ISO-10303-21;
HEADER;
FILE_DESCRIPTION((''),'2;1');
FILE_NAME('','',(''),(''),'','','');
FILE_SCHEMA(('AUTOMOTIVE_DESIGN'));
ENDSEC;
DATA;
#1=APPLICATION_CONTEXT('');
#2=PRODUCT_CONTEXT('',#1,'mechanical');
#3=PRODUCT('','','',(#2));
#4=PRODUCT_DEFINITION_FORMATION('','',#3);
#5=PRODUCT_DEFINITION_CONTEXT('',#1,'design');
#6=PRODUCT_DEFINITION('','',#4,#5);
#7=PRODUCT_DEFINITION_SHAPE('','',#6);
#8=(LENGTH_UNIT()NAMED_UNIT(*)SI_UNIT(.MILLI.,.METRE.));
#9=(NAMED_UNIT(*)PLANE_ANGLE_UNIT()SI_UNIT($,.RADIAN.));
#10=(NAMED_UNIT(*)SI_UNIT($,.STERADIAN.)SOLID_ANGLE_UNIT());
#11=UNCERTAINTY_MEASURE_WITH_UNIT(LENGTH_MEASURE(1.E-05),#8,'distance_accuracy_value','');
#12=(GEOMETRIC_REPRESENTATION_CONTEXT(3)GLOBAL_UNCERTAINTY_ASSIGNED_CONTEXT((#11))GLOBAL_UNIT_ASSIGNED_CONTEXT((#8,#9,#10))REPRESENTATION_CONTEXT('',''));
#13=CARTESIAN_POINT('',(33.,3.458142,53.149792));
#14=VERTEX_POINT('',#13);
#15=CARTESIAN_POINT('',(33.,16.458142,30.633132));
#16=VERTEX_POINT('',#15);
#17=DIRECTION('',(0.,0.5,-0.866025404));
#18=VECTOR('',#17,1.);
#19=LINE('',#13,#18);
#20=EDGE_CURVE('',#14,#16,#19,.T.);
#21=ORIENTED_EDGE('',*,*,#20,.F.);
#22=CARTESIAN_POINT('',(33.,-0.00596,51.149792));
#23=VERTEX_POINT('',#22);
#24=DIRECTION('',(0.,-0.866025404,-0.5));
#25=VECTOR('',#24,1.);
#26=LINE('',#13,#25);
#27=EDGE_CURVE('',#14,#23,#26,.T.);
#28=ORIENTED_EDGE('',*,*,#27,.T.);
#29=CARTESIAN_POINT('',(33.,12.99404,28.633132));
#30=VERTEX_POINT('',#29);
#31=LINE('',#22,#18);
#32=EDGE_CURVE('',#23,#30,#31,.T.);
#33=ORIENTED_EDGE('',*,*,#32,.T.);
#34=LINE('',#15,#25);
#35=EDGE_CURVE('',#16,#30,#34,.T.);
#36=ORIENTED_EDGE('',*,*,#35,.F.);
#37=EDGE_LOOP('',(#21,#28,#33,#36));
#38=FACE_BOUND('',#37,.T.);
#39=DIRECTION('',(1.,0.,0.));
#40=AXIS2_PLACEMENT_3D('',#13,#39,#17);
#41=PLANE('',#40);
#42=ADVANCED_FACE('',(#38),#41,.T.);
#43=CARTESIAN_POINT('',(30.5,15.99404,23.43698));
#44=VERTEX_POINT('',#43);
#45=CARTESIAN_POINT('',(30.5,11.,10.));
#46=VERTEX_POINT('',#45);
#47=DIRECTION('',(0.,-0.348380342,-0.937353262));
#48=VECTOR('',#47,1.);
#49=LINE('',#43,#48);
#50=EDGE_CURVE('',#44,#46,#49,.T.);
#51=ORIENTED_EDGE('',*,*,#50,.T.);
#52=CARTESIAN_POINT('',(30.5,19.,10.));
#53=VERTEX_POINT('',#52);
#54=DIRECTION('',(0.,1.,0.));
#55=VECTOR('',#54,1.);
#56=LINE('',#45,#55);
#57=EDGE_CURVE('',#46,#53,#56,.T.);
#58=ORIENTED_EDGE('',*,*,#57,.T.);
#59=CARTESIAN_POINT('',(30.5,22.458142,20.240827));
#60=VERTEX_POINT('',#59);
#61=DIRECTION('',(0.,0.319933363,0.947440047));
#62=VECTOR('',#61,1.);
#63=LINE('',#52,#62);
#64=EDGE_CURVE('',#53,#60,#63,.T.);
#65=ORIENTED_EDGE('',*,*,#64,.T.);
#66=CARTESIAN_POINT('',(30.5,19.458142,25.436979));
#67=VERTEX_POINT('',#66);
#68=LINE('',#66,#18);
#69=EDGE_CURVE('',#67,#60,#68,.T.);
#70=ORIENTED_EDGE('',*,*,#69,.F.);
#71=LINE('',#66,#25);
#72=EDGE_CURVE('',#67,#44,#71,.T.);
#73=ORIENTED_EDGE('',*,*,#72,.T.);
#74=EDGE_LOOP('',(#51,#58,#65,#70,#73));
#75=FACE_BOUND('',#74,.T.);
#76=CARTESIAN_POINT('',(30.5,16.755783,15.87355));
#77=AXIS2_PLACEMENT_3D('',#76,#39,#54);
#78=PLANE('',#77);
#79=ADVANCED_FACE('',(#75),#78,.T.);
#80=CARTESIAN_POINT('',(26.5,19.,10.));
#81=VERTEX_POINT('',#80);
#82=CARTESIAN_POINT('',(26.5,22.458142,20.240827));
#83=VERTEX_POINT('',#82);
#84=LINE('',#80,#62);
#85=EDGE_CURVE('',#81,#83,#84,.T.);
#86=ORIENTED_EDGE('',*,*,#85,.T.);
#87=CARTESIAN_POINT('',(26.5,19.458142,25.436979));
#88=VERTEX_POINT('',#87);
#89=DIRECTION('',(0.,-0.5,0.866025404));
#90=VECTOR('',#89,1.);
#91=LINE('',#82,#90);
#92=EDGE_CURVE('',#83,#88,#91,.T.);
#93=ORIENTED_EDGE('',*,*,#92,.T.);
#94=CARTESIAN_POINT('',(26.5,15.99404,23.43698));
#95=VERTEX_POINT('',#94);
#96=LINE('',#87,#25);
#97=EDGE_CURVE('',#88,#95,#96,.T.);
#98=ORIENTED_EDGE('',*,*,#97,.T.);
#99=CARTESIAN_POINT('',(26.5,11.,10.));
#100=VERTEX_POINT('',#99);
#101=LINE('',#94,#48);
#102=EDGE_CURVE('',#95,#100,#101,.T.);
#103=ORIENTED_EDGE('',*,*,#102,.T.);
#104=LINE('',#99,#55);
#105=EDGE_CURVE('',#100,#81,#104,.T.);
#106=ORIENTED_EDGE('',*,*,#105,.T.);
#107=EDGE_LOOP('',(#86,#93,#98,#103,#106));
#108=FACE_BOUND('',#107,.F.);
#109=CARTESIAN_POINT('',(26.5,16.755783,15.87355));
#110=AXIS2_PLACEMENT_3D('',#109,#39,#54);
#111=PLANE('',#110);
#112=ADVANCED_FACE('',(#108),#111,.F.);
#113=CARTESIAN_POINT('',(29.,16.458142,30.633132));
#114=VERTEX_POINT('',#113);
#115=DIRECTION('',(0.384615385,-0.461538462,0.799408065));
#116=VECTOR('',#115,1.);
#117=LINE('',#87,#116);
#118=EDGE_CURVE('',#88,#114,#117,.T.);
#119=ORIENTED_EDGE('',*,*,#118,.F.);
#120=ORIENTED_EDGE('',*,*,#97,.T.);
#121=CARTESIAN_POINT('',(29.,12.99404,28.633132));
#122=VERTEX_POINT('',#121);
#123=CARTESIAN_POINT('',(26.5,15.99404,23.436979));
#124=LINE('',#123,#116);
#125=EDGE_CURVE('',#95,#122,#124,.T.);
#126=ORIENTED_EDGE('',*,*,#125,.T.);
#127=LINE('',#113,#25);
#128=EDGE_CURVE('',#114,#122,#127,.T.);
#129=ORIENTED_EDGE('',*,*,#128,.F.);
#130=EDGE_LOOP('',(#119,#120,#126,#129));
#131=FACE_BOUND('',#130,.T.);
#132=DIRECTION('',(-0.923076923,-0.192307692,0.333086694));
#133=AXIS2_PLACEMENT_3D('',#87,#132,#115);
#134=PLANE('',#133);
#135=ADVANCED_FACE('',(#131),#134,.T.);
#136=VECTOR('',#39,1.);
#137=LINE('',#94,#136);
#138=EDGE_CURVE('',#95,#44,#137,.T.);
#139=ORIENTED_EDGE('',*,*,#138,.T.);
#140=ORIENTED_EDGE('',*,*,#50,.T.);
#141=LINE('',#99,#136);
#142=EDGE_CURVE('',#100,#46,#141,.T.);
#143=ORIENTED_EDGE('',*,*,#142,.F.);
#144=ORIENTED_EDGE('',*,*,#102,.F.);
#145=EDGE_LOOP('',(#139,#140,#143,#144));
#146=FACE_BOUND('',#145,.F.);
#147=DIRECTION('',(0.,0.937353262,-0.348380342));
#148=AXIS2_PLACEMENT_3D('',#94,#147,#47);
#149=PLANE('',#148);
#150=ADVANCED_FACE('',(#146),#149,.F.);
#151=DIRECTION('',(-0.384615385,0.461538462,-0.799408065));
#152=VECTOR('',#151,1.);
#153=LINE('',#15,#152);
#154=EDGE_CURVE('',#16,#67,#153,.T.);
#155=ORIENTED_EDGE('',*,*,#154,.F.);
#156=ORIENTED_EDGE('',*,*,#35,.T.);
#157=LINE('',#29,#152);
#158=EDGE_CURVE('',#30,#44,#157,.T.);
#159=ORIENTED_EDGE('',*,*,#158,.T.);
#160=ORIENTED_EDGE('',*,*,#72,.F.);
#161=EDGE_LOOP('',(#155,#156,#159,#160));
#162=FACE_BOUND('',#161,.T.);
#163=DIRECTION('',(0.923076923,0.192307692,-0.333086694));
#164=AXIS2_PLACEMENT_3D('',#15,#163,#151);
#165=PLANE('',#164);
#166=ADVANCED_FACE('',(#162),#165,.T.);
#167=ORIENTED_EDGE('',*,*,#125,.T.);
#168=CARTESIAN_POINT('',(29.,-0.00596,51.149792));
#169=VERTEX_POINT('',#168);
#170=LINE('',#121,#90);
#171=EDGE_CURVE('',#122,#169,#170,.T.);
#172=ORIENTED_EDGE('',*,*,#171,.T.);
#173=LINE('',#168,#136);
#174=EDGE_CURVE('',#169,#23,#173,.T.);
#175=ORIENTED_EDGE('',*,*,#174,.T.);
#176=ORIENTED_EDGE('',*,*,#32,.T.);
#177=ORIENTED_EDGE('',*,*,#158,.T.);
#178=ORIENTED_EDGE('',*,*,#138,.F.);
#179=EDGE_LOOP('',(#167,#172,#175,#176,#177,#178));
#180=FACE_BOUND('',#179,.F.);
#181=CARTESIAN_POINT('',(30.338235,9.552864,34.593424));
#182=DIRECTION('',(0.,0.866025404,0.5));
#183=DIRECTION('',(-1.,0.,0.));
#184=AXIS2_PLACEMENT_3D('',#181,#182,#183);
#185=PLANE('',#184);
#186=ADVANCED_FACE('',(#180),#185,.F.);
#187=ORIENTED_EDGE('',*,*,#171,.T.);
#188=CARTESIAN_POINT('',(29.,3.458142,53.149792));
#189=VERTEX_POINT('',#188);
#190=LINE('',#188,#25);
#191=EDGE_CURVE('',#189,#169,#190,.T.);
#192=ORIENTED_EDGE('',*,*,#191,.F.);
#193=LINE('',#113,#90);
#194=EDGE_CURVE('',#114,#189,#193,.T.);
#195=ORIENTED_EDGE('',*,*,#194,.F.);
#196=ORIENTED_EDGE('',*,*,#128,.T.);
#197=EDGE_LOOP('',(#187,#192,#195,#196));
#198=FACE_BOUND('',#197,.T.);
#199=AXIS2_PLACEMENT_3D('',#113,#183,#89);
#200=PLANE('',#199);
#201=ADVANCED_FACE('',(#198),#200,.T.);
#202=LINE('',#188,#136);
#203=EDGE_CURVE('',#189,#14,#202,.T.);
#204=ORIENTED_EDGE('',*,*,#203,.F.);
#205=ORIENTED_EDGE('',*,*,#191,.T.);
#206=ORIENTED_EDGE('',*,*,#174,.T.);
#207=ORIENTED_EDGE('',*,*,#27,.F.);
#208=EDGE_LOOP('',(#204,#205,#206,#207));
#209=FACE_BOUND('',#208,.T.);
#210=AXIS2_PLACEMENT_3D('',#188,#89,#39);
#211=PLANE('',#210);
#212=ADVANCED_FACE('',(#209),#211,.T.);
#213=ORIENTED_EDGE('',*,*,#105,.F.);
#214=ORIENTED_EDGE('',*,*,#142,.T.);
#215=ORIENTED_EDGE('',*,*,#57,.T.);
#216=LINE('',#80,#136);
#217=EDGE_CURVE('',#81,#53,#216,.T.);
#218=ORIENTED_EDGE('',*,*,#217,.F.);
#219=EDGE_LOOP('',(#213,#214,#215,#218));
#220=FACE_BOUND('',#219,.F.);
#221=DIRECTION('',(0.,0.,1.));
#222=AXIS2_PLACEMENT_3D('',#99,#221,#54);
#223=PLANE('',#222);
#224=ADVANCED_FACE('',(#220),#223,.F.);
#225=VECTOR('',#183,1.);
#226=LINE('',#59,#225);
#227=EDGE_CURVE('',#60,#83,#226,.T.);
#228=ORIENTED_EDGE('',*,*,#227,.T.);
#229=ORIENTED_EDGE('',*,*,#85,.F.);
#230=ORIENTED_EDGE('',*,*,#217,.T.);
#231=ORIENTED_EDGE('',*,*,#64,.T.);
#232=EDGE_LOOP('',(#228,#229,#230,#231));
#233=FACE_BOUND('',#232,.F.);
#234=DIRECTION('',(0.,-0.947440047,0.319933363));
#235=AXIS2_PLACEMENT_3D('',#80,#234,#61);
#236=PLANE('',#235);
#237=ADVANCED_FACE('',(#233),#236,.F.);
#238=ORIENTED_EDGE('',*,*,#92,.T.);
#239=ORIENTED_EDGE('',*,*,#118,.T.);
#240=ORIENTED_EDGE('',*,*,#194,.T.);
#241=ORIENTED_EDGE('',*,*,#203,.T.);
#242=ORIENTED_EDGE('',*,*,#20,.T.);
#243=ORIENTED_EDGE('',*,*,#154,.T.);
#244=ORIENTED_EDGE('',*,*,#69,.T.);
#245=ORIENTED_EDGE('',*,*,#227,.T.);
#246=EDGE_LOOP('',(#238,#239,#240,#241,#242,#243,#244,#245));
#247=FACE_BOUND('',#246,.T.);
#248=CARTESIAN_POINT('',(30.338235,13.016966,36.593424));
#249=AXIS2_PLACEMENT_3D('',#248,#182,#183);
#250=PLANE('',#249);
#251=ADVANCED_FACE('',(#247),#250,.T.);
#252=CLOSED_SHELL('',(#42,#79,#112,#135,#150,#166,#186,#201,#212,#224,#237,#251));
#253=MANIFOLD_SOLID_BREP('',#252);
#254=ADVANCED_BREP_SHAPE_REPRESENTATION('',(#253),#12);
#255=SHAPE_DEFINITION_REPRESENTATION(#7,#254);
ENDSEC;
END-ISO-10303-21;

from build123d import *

# Parameters (mm, degrees)
EXTRUDE023_DEPTH                          = 4
EXTRUDE022_DEPTH                          = 4
EXTRUDE022_ONTO_SKETCH021_PLACEMENT_ANGLE = 120


with BuildPart() as extrude023:
    # Sketch022 (on Face6 of Extrude022) → Extrude023 (new body)
    with BuildSketch(Plane(origin=(26.5, 0, 0), x_dir=(0, -1, 0), z_dir=(-1, 0, 0))):
        Polygon((-15.99404, 23.43698), (-11, 10), (-19, 10), (-22.458142, 20.240827), align=None)
    extrude(amount=-EXTRUDE023_DEPTH)


with BuildPart() as pin_boot:
    # Sketch021 as drawn → Extrude022 (new)
    with BuildSketch(Plane.XY):
        Polygon((29, 44.3), (33, 44.3), (33, 18.3), (30.5, 12.3), (30.5, 6.3), (26.5, 6.3), (26.5, 12.3), (29, 18.3), align=None)
    extrude(amount=EXTRUDE022_DEPTH)


with BuildPart() as pin_boot_1:
    # Extrude022 onto Sketch021 placement: moved
    add(pin_boot.part.moved(Location((0, 25.608142, 14.784867))).rotate(Axis((0, 25.608142, 14.784867), (1, 0, 0)), EXTRUDE022_ONTO_SKETCH021_PLACEMENT_ANGLE))

    # Connect005: union Extrude023
    add(extrude023.part)


solid = pin_boot_1.part
